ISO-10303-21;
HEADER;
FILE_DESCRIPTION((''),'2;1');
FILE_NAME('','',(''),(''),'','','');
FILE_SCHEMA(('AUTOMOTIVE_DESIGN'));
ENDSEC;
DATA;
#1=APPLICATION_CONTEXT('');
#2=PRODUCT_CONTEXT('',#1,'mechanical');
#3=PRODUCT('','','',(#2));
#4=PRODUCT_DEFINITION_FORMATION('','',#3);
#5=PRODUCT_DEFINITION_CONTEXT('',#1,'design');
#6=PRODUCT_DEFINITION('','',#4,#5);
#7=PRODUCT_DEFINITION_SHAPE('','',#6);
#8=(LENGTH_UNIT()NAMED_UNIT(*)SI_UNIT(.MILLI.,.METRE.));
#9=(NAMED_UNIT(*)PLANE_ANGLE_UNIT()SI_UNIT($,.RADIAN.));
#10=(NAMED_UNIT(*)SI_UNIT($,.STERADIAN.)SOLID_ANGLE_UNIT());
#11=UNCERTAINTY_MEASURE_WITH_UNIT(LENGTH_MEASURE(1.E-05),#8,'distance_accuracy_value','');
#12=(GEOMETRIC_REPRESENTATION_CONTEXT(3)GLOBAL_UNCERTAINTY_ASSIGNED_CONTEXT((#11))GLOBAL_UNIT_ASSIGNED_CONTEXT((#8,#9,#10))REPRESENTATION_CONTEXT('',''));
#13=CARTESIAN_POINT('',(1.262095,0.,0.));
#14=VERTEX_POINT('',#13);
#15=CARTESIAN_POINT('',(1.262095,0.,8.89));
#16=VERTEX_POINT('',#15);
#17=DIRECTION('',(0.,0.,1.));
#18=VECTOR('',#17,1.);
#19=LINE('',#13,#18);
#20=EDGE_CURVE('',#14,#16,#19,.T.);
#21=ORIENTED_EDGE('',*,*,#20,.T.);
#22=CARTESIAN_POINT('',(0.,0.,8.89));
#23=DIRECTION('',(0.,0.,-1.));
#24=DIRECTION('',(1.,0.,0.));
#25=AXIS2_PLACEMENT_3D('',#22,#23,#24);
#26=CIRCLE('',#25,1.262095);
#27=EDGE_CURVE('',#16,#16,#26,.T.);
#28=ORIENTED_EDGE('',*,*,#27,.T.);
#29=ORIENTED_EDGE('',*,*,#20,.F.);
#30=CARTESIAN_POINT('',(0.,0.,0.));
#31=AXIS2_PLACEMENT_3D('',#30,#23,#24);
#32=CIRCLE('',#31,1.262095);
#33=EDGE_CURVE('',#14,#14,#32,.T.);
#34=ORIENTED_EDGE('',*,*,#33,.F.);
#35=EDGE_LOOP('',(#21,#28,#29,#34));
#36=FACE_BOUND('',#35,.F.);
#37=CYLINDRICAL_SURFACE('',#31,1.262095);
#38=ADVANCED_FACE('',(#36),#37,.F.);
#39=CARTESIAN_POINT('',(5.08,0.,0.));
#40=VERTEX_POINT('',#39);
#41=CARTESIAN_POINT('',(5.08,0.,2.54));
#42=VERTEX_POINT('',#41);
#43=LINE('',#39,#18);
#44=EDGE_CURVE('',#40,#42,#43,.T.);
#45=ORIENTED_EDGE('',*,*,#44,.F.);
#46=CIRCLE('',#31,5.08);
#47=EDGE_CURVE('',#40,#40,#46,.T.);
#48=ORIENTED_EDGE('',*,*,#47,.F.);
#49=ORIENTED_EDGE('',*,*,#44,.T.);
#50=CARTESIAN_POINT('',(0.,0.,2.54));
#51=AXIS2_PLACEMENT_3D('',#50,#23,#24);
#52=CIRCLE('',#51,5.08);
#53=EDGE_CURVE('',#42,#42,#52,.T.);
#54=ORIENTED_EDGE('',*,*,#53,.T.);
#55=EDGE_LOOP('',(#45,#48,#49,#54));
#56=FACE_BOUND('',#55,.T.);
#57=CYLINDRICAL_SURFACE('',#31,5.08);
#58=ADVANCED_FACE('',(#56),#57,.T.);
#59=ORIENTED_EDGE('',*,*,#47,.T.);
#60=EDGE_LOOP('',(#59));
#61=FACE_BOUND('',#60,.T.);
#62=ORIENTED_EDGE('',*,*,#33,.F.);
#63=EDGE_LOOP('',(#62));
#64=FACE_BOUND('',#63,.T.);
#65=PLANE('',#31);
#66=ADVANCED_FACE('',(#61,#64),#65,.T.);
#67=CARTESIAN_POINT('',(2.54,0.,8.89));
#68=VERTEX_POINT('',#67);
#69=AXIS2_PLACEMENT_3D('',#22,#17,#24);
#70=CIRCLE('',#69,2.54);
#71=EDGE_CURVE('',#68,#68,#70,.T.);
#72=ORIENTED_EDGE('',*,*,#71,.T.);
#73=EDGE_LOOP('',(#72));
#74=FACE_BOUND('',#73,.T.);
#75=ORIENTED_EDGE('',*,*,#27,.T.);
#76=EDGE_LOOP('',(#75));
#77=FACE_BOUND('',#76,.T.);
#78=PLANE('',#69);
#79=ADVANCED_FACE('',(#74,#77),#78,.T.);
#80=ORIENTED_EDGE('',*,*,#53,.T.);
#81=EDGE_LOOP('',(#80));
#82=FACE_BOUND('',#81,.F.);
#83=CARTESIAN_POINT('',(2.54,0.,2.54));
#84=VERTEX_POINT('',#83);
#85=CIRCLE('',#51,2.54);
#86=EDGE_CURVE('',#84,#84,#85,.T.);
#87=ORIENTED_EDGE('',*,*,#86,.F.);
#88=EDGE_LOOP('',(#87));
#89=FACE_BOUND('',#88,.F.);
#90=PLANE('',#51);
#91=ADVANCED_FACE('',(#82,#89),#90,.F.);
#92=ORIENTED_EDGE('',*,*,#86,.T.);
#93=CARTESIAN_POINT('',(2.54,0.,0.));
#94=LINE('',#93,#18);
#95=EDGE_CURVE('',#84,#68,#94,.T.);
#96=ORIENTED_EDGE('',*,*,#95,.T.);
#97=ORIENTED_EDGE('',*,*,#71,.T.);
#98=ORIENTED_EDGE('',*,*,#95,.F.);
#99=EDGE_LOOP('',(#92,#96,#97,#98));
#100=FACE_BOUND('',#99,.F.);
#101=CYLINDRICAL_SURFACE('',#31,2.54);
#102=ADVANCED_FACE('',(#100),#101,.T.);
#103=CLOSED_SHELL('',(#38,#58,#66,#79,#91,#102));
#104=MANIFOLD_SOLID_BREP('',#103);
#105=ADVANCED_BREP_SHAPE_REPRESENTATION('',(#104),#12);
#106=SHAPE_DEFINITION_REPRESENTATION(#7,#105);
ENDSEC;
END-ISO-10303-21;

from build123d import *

# Parameters (mm, degrees)
F0_R     = 2.54
F1_DEPTH = 8.89
F2_R     = 5.08
F2_R_2   = 2.54
F3_DEPTH = 2.54
F4_R     = 1.262095
F5_DEPTH = 25.4


with BuildPart() as f1:
    # F0 (on Top) → F1 (new body)
    with BuildSketch(Plane.XY):
        Circle(F0_R)
    extrude(amount=F1_DEPTH)

    # F2 (on face) → F3 (join)
    with BuildSketch(Plane(origin=(0, 0, 0), x_dir=(1, 0, 0), z_dir=(0, 0, -1))):
        Circle(F2_R)
        Circle(F2_R_2, mode=Mode.SUBTRACT)
    extrude(amount=-F3_DEPTH)

    # F4 (on face) → F5 (cut)
    with BuildSketch(Plane(origin=(0, 0, 0), x_dir=(1, 0, 0), z_dir=(0, 0, -1))):
        Circle(F4_R)
    extrude(amount=-F5_DEPTH, mode=Mode.SUBTRACT)


solid = f1.part
